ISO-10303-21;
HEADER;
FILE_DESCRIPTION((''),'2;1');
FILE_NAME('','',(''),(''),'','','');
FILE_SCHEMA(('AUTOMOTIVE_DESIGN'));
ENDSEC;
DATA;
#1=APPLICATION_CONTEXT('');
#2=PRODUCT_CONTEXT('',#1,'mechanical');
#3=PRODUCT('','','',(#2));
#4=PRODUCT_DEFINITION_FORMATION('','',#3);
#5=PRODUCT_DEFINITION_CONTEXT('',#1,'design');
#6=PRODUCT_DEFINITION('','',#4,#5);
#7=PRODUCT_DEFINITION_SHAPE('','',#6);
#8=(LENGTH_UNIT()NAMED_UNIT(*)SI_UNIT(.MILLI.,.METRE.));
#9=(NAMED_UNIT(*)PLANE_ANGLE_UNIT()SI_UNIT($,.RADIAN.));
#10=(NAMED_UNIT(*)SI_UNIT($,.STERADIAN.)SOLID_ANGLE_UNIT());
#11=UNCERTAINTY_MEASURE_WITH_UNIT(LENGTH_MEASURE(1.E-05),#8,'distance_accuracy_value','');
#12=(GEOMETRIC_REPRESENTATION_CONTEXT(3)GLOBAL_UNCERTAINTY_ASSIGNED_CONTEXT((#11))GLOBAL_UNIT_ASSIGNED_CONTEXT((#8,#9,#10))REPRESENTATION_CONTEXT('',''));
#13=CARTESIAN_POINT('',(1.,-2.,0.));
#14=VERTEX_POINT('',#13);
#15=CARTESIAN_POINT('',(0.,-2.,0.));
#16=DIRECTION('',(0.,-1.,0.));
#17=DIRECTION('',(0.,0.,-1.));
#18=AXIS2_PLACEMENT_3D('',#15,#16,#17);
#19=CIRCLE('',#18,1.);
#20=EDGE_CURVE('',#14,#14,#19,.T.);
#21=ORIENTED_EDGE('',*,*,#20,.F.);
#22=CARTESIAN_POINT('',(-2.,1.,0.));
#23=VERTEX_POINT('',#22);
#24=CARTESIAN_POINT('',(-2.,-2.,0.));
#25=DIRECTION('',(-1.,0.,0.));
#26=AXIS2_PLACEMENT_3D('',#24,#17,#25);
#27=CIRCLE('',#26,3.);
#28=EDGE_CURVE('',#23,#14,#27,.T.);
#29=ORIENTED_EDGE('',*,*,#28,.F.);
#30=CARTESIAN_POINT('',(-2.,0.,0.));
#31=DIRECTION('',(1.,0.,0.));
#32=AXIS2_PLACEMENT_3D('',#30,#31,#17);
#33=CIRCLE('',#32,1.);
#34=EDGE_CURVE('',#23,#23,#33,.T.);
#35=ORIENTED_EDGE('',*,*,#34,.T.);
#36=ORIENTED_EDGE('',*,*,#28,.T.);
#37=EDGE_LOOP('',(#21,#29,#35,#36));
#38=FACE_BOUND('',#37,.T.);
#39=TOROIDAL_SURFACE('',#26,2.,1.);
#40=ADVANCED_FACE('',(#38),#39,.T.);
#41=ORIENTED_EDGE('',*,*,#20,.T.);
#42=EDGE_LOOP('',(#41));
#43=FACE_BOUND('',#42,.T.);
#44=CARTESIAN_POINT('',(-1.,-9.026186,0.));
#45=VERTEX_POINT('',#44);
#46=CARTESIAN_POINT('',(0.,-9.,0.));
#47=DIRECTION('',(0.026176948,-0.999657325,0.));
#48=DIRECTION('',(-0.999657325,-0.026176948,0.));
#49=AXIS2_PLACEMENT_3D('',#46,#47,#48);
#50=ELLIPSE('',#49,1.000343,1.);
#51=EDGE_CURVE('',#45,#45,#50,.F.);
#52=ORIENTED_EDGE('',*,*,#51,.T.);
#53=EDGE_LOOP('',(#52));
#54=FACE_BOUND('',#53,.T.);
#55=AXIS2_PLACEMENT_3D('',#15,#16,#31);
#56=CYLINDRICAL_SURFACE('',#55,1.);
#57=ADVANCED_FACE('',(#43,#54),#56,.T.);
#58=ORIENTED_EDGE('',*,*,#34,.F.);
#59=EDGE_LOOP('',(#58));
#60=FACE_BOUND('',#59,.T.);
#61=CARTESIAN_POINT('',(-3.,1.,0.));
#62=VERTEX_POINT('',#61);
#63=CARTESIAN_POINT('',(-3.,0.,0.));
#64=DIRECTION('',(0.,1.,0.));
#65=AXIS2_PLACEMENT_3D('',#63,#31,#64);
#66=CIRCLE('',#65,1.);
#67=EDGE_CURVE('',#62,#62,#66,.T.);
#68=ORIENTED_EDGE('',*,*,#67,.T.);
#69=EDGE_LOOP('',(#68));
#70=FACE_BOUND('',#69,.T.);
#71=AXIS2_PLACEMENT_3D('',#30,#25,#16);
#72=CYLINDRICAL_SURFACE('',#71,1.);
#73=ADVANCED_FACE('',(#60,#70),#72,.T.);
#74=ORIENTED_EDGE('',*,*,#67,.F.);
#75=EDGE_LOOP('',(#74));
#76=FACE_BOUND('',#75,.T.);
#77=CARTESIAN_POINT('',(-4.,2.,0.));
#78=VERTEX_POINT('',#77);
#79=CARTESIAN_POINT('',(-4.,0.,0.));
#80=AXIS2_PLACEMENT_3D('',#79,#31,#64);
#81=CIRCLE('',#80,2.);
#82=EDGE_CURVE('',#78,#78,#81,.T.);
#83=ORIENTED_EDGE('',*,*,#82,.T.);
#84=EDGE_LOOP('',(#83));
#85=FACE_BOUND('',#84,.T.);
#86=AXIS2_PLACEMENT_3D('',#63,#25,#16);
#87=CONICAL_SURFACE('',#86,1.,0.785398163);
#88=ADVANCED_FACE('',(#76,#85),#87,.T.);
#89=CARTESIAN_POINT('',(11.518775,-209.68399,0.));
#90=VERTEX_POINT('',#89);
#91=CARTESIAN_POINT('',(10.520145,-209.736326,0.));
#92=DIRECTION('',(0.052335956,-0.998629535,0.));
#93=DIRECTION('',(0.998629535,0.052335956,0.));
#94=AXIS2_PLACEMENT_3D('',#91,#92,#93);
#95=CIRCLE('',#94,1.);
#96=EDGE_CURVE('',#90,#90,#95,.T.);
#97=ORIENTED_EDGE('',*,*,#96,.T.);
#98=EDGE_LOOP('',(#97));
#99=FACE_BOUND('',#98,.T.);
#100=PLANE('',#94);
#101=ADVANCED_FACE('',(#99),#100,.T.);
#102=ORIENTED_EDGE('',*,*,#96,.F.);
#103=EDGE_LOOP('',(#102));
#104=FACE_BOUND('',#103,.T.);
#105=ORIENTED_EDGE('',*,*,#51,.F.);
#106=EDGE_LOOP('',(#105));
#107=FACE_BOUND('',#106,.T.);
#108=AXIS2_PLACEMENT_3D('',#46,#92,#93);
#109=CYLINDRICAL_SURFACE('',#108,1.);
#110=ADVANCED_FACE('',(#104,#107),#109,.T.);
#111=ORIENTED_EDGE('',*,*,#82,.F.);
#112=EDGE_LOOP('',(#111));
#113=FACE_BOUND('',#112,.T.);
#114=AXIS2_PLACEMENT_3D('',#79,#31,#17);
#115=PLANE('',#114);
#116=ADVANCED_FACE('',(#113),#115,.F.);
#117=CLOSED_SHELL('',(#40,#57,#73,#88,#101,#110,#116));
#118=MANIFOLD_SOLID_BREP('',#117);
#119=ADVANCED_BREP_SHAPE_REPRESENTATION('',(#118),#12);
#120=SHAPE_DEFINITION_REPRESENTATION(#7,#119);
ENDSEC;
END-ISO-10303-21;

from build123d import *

# Parameters (mm, degrees)
ESQUISSE2_R = 1


with BuildPart() as part:
    # Balayage1: sweep along a path in Esquisse1
    with BuildLine(Plane.XY) as balayage1_path:
        Line((-4, 0), (-2, 0))
        ThreePointArc((-2, 0), (-0.585786438, -0.585786438), (0, -2))
        Line((0, -2), (0, -9))
        Line((0, -9), (10.52014508, -209.736326247))
    # Esquisse2 → Balayage1 (sweep)
    with BuildSketch(Plane(origin=(-4, 0, 0), x_dir=(0, 0, -1), z_dir=(1, 0, 0))):
        Circle(ESQUISSE2_R)
    sweep(path=balayage1_path.line, transition=Transition.RIGHT)

    # Esquisse3 → Révolution1 (revolve)
    with BuildSketch(Plane.XY):
        Polygon((-4, 1), (-4, 2), (-3, 1), align=None)
    revolve(axis=Axis((0, 0, 0), (-1, 0, 0)))


solid = part.part
